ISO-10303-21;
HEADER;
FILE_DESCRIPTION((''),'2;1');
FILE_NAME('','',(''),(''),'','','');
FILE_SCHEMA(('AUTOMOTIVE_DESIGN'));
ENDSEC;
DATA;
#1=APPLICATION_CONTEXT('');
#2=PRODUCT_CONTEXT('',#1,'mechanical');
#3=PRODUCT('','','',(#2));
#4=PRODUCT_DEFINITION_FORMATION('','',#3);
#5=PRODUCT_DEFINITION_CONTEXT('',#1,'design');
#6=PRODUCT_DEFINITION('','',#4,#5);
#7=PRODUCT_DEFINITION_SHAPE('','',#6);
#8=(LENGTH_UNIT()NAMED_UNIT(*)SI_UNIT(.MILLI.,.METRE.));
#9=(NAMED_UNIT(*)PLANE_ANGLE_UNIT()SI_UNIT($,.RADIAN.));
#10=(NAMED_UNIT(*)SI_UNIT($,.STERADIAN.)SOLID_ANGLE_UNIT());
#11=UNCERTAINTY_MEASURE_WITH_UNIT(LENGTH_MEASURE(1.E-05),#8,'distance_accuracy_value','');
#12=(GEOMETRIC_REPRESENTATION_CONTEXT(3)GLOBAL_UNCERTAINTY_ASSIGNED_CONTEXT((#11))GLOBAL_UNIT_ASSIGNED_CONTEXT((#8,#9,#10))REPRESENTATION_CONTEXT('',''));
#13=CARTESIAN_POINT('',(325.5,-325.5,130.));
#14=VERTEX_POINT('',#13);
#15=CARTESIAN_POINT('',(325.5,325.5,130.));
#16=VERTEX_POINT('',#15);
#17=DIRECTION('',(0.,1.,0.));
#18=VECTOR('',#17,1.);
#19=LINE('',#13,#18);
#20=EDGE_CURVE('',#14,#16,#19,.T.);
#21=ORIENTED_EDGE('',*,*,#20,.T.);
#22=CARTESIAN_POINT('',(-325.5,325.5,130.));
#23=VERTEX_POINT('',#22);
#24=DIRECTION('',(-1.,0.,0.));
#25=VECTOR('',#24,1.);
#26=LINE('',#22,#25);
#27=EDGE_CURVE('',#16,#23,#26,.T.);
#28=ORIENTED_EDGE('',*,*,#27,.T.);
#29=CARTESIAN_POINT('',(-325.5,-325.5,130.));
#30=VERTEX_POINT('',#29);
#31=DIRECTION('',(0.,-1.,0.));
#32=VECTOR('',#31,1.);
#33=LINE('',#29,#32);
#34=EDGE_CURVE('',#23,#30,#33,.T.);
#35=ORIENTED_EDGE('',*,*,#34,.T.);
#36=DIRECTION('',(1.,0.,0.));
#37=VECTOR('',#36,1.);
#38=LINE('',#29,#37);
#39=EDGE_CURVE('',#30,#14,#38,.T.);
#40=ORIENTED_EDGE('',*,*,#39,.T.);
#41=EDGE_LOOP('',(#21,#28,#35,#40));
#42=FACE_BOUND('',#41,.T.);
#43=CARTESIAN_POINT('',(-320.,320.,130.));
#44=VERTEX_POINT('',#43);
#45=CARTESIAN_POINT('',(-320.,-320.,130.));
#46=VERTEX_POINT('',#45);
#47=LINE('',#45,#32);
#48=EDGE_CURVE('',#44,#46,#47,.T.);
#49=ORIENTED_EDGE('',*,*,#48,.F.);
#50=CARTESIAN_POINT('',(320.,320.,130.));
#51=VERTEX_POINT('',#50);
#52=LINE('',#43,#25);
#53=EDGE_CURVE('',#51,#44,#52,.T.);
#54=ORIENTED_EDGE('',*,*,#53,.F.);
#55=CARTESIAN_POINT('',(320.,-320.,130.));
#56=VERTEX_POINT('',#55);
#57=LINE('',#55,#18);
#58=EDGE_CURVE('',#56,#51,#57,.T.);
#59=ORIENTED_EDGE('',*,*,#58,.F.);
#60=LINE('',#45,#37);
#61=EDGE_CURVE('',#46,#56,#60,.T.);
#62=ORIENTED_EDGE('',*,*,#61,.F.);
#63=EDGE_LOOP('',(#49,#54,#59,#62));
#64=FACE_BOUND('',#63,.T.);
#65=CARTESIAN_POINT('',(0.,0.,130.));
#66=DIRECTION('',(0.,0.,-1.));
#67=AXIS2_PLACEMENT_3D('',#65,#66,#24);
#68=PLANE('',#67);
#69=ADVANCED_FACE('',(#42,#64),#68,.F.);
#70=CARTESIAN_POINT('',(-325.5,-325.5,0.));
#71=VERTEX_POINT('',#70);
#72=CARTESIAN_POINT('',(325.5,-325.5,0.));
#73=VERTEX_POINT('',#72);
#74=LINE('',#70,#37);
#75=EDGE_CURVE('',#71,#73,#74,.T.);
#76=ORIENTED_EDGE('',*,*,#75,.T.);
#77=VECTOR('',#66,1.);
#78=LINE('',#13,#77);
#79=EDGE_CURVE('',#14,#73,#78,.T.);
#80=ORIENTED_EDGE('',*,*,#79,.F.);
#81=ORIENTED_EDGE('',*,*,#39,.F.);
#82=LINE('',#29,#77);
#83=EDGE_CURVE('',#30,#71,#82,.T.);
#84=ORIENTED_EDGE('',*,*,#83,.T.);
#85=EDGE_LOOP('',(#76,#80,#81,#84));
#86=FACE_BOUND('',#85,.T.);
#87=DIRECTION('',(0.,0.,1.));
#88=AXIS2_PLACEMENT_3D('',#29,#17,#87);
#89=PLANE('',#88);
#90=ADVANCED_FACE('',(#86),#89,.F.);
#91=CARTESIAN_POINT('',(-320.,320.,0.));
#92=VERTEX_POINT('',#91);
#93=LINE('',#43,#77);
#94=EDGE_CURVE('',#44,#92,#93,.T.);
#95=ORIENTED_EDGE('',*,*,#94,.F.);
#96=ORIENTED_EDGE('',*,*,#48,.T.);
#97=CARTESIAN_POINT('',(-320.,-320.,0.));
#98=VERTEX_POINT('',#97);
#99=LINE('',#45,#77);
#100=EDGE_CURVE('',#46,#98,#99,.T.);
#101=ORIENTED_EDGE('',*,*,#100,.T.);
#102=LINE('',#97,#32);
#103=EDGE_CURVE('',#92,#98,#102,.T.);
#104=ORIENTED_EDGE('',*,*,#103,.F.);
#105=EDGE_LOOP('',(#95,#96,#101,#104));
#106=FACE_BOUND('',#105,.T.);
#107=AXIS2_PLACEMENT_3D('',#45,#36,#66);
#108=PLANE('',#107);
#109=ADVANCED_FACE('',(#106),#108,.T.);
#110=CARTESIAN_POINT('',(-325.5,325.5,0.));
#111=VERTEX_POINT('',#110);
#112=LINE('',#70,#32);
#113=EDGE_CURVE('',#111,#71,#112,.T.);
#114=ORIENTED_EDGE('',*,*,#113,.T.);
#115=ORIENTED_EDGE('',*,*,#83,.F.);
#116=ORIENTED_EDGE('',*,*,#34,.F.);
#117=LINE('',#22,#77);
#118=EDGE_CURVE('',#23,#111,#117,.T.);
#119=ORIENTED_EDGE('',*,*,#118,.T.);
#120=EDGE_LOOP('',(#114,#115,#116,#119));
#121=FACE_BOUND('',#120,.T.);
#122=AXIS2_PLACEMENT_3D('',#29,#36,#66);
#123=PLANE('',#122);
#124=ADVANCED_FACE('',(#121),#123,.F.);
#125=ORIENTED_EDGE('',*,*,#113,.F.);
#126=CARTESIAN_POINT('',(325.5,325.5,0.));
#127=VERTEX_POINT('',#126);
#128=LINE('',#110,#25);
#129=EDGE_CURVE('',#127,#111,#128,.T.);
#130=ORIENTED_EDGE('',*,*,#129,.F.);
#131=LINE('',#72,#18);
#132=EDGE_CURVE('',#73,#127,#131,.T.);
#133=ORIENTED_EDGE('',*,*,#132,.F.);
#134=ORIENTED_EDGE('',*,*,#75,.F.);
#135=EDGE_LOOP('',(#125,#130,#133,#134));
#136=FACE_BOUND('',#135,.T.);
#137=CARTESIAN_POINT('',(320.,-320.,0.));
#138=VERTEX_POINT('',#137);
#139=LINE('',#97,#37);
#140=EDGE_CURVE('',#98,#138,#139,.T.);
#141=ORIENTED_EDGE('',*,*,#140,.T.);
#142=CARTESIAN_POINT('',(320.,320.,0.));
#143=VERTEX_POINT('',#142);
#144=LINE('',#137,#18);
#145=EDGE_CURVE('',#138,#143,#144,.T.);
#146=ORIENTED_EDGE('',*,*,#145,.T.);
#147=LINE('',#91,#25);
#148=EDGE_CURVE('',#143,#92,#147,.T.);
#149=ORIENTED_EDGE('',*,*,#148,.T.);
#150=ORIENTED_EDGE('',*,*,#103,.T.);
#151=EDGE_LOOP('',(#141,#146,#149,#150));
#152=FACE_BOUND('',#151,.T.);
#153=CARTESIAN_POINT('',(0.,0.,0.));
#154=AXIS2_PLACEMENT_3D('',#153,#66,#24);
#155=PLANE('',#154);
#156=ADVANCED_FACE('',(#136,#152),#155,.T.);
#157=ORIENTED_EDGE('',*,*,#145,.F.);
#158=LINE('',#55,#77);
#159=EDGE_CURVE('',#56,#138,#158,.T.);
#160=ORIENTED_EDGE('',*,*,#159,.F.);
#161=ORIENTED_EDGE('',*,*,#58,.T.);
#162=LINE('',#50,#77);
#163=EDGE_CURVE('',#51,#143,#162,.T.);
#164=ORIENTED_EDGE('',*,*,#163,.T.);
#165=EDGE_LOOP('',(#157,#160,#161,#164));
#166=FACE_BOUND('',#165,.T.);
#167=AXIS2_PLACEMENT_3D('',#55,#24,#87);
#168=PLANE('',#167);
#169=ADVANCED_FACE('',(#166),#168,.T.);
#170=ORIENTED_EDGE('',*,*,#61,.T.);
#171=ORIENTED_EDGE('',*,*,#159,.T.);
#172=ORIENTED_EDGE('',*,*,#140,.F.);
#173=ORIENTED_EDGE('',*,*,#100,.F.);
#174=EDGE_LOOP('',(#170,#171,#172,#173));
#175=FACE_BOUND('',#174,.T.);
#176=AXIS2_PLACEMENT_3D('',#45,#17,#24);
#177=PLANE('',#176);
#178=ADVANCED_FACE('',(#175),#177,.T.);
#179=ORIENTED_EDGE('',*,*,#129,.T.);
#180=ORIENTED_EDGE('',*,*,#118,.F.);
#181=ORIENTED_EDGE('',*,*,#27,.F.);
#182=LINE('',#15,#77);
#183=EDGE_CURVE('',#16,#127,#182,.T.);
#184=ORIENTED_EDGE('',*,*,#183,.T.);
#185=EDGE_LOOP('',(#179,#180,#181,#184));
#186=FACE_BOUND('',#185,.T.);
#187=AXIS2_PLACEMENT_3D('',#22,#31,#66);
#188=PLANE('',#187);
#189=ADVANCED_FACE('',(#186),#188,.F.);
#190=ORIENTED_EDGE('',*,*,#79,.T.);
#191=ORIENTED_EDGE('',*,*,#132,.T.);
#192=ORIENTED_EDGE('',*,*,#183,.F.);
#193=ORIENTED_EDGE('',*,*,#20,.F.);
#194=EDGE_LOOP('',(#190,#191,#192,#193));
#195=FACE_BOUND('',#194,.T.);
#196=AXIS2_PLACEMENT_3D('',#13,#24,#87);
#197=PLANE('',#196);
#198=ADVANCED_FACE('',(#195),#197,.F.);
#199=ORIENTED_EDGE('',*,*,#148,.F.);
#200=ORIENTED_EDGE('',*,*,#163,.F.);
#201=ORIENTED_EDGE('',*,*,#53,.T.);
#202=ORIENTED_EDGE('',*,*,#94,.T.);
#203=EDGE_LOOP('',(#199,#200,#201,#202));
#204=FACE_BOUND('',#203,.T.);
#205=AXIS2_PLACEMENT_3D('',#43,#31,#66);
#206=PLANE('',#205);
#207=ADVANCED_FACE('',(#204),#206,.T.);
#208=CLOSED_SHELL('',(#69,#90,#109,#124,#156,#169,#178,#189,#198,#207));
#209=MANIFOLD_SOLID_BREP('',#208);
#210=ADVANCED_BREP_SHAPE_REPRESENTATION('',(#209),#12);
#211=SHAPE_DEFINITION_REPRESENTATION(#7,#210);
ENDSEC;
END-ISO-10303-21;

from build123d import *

# Parameters (mm, degrees)
SKETCH1_W           = 651
SKETCH1_H           = 651
SKETCH1_W_2         = 640
SKETCH1_H_2         = 640
BOSS_EXTRUDE1_DEPTH = 130


with BuildPart() as part:
    # Sketch1 → Boss-Extrude1 (new body)
    with BuildSketch(Plane.XY):
        Rectangle(SKETCH1_W, SKETCH1_H)
        Rectangle(SKETCH1_W_2, SKETCH1_H_2, mode=Mode.SUBTRACT)
    extrude(amount=BOSS_EXTRUDE1_DEPTH)


solid = part.part
